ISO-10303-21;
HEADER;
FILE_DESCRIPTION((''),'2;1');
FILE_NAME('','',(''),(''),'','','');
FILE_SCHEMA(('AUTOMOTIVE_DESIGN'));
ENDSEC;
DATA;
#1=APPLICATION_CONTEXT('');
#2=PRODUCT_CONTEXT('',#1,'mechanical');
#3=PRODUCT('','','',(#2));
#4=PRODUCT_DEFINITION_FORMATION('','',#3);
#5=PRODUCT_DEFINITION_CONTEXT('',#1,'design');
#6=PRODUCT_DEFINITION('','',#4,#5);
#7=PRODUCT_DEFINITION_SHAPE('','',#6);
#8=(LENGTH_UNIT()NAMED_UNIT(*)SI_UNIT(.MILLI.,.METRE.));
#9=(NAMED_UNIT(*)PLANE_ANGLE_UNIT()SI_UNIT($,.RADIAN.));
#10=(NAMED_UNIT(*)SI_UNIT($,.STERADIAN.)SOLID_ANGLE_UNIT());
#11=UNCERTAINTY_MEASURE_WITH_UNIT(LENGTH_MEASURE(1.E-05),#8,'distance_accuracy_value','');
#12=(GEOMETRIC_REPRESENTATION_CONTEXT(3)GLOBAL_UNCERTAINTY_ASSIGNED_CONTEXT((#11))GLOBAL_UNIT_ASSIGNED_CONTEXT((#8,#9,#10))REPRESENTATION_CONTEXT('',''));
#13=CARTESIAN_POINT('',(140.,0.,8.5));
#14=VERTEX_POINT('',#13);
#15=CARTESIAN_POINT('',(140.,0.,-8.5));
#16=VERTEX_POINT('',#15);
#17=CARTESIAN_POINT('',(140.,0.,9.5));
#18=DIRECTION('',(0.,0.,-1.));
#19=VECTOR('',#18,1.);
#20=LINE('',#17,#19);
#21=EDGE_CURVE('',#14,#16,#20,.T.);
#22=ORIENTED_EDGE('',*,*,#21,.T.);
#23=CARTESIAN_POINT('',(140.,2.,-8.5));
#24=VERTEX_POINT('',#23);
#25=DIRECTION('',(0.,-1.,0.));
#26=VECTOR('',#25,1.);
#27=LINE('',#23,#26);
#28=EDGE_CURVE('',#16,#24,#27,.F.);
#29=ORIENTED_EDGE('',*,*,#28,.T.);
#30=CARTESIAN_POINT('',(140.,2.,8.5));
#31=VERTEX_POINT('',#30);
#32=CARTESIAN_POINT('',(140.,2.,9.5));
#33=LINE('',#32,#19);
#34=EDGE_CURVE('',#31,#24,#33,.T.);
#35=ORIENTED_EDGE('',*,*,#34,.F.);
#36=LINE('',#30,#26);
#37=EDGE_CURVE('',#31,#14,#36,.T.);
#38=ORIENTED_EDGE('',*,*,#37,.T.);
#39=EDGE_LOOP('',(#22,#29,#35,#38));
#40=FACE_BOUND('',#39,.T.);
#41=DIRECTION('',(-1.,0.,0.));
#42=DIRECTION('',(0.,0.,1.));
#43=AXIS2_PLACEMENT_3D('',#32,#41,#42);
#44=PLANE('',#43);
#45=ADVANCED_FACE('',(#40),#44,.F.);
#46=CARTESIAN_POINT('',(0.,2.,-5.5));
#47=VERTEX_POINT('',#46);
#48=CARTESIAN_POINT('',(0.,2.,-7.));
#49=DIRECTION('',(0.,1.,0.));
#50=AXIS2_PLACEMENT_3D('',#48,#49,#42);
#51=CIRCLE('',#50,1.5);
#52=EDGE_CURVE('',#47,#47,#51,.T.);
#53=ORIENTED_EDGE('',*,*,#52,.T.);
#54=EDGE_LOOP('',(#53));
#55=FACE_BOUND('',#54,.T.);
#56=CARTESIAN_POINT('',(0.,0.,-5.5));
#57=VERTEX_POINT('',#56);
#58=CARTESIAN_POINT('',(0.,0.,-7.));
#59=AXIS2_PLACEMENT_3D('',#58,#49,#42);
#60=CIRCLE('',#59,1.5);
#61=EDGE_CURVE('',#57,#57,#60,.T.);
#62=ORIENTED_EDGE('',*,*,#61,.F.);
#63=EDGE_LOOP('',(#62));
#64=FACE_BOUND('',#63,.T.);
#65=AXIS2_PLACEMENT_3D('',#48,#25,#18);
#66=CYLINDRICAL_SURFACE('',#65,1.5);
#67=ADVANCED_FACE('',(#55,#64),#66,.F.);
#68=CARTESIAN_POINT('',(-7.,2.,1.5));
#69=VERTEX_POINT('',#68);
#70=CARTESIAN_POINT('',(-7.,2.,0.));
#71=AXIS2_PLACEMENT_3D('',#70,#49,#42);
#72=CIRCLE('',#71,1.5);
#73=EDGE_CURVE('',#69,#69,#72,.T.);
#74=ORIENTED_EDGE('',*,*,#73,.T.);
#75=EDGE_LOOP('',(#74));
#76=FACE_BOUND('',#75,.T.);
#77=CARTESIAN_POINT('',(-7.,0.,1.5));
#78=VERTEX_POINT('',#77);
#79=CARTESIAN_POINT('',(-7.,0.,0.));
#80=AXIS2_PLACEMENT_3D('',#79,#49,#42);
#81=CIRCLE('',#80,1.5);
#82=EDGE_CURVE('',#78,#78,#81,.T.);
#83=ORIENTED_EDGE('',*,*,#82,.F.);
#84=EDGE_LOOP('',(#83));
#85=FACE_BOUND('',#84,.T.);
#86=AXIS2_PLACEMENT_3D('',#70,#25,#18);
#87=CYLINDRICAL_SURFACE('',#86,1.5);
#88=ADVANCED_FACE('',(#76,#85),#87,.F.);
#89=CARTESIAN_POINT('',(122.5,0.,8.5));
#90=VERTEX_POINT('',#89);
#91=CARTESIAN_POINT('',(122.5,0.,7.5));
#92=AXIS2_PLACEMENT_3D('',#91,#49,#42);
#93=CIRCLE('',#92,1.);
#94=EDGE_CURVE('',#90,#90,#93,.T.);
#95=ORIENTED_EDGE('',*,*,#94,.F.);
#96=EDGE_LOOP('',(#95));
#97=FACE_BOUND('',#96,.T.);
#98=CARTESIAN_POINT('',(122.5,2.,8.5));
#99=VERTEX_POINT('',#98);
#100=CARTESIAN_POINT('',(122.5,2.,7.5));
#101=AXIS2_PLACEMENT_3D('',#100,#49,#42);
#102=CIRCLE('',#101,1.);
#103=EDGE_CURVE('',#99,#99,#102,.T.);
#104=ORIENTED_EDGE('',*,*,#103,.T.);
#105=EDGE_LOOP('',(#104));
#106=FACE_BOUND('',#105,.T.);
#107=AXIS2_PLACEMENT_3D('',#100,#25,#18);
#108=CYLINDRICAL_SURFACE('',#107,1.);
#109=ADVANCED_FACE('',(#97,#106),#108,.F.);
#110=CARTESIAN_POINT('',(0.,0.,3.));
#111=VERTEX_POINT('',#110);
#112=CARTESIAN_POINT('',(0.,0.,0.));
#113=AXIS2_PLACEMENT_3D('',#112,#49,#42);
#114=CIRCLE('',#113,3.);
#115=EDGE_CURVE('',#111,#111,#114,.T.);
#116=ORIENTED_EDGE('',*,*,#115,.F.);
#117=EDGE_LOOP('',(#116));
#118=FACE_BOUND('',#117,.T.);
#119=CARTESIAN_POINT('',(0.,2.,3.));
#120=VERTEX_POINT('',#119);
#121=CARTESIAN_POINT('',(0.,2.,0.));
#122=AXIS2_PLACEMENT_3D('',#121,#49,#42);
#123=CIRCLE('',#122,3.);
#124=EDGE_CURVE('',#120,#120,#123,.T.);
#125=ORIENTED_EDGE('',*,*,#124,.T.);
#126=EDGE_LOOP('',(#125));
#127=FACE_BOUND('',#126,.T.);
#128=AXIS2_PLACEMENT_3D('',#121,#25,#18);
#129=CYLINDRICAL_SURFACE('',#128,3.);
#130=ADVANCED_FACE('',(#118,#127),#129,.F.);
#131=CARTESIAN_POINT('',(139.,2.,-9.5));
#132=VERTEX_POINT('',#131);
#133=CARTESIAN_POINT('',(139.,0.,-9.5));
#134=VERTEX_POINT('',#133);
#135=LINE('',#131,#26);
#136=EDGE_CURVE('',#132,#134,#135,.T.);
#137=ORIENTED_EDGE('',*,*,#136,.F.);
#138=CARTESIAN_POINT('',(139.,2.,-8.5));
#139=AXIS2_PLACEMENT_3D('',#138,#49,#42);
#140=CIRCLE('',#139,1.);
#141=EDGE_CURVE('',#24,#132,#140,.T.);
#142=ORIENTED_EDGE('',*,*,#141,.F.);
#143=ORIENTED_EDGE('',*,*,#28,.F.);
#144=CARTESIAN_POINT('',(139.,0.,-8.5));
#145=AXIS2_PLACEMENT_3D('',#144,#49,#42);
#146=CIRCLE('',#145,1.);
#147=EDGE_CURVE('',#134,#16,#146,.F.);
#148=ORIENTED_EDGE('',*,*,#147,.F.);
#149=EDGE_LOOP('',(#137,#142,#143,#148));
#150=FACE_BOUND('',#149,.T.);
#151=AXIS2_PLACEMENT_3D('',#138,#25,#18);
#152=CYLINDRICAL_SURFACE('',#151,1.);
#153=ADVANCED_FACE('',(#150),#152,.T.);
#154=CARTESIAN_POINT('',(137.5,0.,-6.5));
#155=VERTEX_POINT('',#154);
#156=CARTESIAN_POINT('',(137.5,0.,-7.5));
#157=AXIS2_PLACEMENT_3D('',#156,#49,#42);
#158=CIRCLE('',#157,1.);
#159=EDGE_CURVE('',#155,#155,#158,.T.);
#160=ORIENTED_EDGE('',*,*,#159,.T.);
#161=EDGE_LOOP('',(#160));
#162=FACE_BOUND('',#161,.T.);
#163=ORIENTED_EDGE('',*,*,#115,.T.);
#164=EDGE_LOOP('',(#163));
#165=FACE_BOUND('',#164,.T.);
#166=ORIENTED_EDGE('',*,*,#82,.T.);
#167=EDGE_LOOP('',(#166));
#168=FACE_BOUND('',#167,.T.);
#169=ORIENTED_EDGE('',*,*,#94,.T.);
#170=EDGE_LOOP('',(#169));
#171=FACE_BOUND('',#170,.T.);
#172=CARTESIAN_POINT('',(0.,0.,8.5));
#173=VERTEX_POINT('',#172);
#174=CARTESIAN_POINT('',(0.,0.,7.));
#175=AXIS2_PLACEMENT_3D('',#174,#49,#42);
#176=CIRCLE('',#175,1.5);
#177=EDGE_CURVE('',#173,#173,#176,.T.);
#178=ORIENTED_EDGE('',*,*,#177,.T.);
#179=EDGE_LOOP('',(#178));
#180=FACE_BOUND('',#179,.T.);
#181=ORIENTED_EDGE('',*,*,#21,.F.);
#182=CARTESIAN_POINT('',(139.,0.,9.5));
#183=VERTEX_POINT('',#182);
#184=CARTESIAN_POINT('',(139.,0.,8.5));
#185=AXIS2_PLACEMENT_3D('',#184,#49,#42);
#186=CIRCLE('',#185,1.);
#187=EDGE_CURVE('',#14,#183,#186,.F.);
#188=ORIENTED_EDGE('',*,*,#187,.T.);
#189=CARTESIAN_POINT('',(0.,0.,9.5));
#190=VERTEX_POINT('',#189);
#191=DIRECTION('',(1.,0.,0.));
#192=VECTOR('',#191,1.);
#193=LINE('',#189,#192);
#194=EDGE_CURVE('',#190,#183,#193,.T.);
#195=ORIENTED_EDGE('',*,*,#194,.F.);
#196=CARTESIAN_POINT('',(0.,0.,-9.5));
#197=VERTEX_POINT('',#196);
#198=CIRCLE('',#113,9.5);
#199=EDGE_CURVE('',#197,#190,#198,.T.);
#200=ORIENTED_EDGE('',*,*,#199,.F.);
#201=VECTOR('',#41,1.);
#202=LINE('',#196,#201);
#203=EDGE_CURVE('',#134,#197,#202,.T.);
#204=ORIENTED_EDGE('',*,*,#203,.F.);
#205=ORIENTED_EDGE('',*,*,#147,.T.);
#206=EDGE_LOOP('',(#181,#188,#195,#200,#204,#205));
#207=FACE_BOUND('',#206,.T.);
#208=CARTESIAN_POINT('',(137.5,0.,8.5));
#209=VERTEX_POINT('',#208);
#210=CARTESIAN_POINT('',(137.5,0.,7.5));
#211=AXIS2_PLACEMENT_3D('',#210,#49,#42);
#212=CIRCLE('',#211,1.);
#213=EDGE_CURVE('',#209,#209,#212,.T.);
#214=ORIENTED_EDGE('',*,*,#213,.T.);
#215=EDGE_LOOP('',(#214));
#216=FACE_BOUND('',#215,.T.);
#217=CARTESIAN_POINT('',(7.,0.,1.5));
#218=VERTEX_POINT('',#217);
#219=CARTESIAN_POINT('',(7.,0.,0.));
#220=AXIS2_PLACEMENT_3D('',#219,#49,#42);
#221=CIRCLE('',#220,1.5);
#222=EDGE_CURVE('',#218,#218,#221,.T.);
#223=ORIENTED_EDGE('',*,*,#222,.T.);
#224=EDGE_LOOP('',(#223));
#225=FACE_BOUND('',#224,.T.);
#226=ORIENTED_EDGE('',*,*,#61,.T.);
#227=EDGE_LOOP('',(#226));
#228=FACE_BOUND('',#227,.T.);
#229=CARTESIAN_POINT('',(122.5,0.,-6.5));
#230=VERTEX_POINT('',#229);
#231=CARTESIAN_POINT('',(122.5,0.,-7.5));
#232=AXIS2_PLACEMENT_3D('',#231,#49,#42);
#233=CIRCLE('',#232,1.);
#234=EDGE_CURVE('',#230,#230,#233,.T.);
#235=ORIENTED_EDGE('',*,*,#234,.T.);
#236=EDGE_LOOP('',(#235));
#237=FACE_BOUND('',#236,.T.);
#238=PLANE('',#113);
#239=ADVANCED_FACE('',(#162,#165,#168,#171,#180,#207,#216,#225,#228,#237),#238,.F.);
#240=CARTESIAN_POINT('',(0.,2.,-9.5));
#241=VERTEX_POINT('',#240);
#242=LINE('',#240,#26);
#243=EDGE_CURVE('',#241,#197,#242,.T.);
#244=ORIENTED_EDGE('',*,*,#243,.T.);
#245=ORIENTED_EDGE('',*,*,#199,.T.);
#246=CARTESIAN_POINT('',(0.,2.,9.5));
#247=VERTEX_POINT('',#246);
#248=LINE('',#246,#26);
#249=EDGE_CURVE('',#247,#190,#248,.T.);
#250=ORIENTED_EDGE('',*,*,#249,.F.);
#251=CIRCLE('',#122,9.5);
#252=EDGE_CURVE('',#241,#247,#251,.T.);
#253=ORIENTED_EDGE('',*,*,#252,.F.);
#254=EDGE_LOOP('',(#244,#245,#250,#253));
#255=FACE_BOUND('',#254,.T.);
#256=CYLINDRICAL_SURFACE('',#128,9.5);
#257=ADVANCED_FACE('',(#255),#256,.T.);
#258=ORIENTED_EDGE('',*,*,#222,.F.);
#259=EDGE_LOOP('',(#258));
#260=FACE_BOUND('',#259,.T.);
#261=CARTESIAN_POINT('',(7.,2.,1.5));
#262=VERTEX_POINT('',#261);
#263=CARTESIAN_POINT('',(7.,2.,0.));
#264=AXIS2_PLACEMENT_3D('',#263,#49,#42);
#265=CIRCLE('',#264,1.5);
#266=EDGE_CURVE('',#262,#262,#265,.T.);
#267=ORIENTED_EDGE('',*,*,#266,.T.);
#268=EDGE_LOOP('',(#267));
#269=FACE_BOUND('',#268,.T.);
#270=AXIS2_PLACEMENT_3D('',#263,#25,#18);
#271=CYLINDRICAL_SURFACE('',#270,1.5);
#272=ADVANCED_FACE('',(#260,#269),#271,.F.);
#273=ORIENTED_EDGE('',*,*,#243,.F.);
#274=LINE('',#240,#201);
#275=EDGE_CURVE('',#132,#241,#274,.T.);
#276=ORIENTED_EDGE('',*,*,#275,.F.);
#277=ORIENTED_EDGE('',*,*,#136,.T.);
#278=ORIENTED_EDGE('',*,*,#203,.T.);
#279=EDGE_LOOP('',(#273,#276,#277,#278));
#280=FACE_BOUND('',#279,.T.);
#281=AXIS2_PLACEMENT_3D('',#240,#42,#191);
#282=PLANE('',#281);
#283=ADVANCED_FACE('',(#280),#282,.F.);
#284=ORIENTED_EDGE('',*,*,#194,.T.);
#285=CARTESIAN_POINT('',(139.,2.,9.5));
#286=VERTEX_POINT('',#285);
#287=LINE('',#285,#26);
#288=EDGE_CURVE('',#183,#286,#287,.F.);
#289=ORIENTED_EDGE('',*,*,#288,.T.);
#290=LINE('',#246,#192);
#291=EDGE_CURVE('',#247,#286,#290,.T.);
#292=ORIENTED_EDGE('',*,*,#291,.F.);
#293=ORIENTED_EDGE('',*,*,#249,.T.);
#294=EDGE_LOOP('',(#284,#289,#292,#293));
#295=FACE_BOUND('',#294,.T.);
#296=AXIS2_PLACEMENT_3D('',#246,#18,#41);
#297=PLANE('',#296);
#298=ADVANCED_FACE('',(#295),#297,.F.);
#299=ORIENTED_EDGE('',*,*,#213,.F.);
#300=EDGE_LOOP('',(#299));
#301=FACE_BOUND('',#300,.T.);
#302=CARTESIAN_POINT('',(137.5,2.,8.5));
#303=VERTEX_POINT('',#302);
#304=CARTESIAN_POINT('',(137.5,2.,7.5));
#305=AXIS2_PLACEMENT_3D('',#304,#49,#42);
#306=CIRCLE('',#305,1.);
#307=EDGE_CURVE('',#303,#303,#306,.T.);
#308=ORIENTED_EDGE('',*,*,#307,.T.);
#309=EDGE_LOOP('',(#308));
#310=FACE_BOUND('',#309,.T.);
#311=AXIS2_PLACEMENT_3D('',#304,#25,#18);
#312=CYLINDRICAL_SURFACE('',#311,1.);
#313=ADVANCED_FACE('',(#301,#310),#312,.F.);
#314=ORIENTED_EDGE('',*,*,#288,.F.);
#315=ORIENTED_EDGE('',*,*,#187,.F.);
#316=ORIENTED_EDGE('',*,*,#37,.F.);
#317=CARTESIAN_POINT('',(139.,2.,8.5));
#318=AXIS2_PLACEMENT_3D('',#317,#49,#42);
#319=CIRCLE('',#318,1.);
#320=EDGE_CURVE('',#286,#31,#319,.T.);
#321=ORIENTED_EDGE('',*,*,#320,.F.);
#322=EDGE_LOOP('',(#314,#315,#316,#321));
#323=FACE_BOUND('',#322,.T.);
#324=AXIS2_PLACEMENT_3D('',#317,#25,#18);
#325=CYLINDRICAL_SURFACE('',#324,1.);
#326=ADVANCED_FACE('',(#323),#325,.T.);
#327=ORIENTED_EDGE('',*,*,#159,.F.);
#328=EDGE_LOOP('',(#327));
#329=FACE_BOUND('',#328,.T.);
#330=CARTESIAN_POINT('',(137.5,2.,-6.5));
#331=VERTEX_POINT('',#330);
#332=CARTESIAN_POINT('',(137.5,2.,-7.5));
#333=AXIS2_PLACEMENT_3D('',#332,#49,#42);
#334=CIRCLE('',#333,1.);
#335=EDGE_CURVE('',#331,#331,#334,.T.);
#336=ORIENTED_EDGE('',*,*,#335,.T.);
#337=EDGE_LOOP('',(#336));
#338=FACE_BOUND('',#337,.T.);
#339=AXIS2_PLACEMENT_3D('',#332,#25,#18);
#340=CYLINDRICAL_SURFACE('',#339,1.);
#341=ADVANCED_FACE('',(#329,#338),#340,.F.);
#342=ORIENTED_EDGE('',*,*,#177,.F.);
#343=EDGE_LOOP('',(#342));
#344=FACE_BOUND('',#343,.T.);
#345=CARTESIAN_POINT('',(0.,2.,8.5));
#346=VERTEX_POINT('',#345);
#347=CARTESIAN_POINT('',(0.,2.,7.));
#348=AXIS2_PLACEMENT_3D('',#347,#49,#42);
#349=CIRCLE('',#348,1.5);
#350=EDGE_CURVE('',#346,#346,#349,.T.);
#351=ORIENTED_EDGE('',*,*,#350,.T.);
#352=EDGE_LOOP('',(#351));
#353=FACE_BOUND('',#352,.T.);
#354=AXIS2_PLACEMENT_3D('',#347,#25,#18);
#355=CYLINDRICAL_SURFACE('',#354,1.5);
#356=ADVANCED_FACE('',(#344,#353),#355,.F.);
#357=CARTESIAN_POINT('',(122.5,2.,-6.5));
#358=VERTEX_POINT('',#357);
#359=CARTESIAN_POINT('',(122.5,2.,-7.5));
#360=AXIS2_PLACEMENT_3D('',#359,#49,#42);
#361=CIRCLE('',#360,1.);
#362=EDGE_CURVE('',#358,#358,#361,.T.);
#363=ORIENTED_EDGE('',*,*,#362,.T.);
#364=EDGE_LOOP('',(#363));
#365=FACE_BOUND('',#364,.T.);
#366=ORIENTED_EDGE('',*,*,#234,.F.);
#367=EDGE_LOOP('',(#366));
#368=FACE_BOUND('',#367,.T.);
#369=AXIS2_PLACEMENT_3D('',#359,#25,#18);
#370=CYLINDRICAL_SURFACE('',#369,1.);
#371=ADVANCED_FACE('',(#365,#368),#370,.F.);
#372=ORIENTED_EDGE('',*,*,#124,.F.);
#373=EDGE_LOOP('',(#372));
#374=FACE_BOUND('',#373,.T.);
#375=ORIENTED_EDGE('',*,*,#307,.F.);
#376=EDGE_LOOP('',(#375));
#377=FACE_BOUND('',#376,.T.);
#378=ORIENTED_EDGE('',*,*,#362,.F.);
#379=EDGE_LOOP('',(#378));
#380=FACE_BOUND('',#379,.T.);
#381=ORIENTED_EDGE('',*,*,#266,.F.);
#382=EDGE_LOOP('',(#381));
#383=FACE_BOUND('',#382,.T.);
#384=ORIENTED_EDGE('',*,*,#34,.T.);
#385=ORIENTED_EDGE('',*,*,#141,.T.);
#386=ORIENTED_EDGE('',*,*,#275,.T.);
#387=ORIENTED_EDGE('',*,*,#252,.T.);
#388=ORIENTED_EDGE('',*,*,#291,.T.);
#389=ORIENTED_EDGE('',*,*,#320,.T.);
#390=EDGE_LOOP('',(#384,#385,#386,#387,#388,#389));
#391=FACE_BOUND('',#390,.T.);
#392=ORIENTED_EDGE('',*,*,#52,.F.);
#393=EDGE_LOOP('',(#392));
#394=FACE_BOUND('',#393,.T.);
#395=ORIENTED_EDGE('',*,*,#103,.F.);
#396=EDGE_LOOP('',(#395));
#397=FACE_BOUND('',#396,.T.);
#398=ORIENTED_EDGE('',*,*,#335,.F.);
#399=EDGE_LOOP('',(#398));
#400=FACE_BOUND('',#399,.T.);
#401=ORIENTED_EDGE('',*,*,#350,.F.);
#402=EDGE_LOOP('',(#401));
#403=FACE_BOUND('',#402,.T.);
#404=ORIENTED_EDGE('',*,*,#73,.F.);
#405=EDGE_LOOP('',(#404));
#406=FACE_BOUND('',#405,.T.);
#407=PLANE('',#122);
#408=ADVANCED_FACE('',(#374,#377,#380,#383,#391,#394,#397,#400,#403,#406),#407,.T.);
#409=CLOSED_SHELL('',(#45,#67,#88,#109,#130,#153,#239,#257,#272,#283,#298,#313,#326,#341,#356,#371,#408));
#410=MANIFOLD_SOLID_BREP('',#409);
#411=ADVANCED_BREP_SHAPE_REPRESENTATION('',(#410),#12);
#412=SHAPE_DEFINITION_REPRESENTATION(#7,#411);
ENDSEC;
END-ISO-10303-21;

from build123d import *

# Parameters (mm, degrees)
SKETCH_1_R      = 1.5
SKETCH_1_R_2    = 1
SKETCH_1_R_3    = 3
EXTRUDE_1_DEPTH = 2
FILLET_1_R      = 1


with BuildPart() as part:
    # Эскиз1 → Бобышка-Вытянуть1 (new body)
    with BuildSketch(Plane(origin=(0, 0, 0), x_dir=(1, 0, 0), z_dir=(0, 1, 0))):
        with BuildLine():
            Line((0, 9.5), (140, 9.5))
            Line((140, 9.5), (140, -9.5))
            Line((140, -9.5), (0, -9.5))
            ThreePointArc((0, -9.5), (-9.5, 0), (0, 9.5))
        make_face()
        with Locations(Location((0, 7, 0), (0, 0, 270))):
            Circle(SKETCH_1_R, mode=Mode.SUBTRACT)
        with Locations(Location((7, 0, 0), (0, 0, 270))):
            Circle(SKETCH_1_R, mode=Mode.SUBTRACT)
        with Locations(Location((0, -7, 0), (0, 0, 270))):
            Circle(SKETCH_1_R, mode=Mode.SUBTRACT)
        with Locations(Location((-7, 0, 0), (0, 0, 270))):
            Circle(SKETCH_1_R, mode=Mode.SUBTRACT)
        with Locations(Location((122.5, 7.5, 0), (0, 0, 270))):
            Circle(SKETCH_1_R_2, mode=Mode.SUBTRACT)
        with Locations(Location((137.5, 7.5, 0), (0, 0, 270))):
            Circle(SKETCH_1_R_2, mode=Mode.SUBTRACT)
        with Locations(Location((122.5, -7.5, 0), (0, 0, 270))):
            Circle(SKETCH_1_R_2, mode=Mode.SUBTRACT)
        with Locations(Location((137.5, -7.5, 0), (0, 0, 270))):
            Circle(SKETCH_1_R_2, mode=Mode.SUBTRACT)
        with Locations(Location((0, 0, 0), (0, 0, 270))):
            Circle(SKETCH_1_R_3, mode=Mode.SUBTRACT)
    extrude(amount=EXTRUDE_1_DEPTH)

    # Скругление1
    fillet_1_edges = [part.edges().sort_by_distance(p)[0] for p in [
        (140, 1, -9.5),
        (140, 1, 9.5),
    ]]
    fillet(fillet_1_edges, radius=FILLET_1_R)


solid = part.part
